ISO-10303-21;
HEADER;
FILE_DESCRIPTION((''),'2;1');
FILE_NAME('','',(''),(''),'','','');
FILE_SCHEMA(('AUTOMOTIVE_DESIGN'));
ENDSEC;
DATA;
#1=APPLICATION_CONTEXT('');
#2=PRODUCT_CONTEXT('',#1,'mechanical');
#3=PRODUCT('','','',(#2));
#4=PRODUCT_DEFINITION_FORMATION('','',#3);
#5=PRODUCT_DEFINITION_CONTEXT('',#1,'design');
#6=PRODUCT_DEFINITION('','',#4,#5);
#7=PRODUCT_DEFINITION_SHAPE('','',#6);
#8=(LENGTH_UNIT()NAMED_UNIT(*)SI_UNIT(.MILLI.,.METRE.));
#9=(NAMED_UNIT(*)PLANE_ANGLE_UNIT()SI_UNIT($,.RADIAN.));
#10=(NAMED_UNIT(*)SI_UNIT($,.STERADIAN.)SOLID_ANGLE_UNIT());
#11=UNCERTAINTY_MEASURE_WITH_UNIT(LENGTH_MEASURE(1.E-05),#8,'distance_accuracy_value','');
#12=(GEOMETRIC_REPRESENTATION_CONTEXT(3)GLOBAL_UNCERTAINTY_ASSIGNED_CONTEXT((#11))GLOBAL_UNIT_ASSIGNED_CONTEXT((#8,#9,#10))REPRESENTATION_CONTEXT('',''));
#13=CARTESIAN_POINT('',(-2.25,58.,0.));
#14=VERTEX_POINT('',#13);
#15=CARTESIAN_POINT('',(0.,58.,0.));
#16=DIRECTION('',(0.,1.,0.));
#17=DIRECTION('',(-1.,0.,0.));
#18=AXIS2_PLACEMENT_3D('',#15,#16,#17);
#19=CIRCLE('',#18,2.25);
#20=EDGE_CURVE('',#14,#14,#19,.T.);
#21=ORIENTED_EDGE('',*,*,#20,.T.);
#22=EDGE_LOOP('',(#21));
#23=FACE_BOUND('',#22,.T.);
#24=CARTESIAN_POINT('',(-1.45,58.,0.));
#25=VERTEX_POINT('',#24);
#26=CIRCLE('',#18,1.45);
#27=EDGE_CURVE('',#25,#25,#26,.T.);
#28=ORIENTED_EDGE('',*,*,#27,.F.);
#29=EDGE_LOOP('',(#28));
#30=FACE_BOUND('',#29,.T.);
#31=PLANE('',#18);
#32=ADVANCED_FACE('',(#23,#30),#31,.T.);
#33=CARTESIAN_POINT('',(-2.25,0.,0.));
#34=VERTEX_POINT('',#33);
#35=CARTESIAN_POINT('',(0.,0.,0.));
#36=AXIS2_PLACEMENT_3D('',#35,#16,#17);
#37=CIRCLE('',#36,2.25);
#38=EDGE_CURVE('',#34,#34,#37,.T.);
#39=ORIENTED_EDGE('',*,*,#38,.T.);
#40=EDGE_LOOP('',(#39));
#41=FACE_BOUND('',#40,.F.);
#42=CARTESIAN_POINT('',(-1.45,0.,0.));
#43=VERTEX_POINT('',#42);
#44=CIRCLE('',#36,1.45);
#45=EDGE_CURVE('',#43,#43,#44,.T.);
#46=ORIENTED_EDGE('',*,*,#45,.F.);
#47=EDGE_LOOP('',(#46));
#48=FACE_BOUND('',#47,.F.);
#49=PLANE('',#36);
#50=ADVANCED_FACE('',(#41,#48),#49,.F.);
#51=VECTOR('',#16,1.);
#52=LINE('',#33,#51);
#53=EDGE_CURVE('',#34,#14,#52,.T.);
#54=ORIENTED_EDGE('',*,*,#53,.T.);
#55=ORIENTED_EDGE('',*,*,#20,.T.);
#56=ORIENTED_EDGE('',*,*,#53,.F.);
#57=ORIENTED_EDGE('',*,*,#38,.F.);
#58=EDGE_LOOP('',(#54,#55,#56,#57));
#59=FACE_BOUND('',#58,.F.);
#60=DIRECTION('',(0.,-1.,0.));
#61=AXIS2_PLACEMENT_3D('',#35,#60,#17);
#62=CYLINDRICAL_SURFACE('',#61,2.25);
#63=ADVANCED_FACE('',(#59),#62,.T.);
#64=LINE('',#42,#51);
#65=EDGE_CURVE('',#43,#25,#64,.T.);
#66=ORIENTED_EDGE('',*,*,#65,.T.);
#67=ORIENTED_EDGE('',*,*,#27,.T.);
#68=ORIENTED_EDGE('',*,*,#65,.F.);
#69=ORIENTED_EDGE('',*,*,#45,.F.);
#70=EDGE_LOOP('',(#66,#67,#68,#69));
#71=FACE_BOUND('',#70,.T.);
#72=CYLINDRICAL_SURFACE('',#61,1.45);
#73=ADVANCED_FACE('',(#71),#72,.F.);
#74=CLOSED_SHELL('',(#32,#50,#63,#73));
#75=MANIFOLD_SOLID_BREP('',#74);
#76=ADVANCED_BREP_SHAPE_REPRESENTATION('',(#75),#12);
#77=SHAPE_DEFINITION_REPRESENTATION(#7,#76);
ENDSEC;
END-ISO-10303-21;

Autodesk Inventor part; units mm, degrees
ref_plane "YZ Plane" through (0, 0, 0) normal (1, 0, 0) x (0, 1, 0)
ref_plane "XZ Plane" through (0, 0, 0) normal (0, 1, 0) x (-1, 0, 0)
ref_plane "XY Plane" through (0, 0, 0) normal (0, 0, 1) x (1, 0, 0)
sketch "Sketch1" plane through (0, 0, 0) normal (0, 1, 0) x (-1, 0, 0)
  circle A0 centre (0, 0) radius 1.45
  circle A1 centre (0, 0) radius 2.25
  dimension "d0" = 2.9
  dimension "d1" = 4.5
extrude "Extrusion1" add sketch "Sketch1" along normal blind 58
properties part number "Rod Housing 2"
